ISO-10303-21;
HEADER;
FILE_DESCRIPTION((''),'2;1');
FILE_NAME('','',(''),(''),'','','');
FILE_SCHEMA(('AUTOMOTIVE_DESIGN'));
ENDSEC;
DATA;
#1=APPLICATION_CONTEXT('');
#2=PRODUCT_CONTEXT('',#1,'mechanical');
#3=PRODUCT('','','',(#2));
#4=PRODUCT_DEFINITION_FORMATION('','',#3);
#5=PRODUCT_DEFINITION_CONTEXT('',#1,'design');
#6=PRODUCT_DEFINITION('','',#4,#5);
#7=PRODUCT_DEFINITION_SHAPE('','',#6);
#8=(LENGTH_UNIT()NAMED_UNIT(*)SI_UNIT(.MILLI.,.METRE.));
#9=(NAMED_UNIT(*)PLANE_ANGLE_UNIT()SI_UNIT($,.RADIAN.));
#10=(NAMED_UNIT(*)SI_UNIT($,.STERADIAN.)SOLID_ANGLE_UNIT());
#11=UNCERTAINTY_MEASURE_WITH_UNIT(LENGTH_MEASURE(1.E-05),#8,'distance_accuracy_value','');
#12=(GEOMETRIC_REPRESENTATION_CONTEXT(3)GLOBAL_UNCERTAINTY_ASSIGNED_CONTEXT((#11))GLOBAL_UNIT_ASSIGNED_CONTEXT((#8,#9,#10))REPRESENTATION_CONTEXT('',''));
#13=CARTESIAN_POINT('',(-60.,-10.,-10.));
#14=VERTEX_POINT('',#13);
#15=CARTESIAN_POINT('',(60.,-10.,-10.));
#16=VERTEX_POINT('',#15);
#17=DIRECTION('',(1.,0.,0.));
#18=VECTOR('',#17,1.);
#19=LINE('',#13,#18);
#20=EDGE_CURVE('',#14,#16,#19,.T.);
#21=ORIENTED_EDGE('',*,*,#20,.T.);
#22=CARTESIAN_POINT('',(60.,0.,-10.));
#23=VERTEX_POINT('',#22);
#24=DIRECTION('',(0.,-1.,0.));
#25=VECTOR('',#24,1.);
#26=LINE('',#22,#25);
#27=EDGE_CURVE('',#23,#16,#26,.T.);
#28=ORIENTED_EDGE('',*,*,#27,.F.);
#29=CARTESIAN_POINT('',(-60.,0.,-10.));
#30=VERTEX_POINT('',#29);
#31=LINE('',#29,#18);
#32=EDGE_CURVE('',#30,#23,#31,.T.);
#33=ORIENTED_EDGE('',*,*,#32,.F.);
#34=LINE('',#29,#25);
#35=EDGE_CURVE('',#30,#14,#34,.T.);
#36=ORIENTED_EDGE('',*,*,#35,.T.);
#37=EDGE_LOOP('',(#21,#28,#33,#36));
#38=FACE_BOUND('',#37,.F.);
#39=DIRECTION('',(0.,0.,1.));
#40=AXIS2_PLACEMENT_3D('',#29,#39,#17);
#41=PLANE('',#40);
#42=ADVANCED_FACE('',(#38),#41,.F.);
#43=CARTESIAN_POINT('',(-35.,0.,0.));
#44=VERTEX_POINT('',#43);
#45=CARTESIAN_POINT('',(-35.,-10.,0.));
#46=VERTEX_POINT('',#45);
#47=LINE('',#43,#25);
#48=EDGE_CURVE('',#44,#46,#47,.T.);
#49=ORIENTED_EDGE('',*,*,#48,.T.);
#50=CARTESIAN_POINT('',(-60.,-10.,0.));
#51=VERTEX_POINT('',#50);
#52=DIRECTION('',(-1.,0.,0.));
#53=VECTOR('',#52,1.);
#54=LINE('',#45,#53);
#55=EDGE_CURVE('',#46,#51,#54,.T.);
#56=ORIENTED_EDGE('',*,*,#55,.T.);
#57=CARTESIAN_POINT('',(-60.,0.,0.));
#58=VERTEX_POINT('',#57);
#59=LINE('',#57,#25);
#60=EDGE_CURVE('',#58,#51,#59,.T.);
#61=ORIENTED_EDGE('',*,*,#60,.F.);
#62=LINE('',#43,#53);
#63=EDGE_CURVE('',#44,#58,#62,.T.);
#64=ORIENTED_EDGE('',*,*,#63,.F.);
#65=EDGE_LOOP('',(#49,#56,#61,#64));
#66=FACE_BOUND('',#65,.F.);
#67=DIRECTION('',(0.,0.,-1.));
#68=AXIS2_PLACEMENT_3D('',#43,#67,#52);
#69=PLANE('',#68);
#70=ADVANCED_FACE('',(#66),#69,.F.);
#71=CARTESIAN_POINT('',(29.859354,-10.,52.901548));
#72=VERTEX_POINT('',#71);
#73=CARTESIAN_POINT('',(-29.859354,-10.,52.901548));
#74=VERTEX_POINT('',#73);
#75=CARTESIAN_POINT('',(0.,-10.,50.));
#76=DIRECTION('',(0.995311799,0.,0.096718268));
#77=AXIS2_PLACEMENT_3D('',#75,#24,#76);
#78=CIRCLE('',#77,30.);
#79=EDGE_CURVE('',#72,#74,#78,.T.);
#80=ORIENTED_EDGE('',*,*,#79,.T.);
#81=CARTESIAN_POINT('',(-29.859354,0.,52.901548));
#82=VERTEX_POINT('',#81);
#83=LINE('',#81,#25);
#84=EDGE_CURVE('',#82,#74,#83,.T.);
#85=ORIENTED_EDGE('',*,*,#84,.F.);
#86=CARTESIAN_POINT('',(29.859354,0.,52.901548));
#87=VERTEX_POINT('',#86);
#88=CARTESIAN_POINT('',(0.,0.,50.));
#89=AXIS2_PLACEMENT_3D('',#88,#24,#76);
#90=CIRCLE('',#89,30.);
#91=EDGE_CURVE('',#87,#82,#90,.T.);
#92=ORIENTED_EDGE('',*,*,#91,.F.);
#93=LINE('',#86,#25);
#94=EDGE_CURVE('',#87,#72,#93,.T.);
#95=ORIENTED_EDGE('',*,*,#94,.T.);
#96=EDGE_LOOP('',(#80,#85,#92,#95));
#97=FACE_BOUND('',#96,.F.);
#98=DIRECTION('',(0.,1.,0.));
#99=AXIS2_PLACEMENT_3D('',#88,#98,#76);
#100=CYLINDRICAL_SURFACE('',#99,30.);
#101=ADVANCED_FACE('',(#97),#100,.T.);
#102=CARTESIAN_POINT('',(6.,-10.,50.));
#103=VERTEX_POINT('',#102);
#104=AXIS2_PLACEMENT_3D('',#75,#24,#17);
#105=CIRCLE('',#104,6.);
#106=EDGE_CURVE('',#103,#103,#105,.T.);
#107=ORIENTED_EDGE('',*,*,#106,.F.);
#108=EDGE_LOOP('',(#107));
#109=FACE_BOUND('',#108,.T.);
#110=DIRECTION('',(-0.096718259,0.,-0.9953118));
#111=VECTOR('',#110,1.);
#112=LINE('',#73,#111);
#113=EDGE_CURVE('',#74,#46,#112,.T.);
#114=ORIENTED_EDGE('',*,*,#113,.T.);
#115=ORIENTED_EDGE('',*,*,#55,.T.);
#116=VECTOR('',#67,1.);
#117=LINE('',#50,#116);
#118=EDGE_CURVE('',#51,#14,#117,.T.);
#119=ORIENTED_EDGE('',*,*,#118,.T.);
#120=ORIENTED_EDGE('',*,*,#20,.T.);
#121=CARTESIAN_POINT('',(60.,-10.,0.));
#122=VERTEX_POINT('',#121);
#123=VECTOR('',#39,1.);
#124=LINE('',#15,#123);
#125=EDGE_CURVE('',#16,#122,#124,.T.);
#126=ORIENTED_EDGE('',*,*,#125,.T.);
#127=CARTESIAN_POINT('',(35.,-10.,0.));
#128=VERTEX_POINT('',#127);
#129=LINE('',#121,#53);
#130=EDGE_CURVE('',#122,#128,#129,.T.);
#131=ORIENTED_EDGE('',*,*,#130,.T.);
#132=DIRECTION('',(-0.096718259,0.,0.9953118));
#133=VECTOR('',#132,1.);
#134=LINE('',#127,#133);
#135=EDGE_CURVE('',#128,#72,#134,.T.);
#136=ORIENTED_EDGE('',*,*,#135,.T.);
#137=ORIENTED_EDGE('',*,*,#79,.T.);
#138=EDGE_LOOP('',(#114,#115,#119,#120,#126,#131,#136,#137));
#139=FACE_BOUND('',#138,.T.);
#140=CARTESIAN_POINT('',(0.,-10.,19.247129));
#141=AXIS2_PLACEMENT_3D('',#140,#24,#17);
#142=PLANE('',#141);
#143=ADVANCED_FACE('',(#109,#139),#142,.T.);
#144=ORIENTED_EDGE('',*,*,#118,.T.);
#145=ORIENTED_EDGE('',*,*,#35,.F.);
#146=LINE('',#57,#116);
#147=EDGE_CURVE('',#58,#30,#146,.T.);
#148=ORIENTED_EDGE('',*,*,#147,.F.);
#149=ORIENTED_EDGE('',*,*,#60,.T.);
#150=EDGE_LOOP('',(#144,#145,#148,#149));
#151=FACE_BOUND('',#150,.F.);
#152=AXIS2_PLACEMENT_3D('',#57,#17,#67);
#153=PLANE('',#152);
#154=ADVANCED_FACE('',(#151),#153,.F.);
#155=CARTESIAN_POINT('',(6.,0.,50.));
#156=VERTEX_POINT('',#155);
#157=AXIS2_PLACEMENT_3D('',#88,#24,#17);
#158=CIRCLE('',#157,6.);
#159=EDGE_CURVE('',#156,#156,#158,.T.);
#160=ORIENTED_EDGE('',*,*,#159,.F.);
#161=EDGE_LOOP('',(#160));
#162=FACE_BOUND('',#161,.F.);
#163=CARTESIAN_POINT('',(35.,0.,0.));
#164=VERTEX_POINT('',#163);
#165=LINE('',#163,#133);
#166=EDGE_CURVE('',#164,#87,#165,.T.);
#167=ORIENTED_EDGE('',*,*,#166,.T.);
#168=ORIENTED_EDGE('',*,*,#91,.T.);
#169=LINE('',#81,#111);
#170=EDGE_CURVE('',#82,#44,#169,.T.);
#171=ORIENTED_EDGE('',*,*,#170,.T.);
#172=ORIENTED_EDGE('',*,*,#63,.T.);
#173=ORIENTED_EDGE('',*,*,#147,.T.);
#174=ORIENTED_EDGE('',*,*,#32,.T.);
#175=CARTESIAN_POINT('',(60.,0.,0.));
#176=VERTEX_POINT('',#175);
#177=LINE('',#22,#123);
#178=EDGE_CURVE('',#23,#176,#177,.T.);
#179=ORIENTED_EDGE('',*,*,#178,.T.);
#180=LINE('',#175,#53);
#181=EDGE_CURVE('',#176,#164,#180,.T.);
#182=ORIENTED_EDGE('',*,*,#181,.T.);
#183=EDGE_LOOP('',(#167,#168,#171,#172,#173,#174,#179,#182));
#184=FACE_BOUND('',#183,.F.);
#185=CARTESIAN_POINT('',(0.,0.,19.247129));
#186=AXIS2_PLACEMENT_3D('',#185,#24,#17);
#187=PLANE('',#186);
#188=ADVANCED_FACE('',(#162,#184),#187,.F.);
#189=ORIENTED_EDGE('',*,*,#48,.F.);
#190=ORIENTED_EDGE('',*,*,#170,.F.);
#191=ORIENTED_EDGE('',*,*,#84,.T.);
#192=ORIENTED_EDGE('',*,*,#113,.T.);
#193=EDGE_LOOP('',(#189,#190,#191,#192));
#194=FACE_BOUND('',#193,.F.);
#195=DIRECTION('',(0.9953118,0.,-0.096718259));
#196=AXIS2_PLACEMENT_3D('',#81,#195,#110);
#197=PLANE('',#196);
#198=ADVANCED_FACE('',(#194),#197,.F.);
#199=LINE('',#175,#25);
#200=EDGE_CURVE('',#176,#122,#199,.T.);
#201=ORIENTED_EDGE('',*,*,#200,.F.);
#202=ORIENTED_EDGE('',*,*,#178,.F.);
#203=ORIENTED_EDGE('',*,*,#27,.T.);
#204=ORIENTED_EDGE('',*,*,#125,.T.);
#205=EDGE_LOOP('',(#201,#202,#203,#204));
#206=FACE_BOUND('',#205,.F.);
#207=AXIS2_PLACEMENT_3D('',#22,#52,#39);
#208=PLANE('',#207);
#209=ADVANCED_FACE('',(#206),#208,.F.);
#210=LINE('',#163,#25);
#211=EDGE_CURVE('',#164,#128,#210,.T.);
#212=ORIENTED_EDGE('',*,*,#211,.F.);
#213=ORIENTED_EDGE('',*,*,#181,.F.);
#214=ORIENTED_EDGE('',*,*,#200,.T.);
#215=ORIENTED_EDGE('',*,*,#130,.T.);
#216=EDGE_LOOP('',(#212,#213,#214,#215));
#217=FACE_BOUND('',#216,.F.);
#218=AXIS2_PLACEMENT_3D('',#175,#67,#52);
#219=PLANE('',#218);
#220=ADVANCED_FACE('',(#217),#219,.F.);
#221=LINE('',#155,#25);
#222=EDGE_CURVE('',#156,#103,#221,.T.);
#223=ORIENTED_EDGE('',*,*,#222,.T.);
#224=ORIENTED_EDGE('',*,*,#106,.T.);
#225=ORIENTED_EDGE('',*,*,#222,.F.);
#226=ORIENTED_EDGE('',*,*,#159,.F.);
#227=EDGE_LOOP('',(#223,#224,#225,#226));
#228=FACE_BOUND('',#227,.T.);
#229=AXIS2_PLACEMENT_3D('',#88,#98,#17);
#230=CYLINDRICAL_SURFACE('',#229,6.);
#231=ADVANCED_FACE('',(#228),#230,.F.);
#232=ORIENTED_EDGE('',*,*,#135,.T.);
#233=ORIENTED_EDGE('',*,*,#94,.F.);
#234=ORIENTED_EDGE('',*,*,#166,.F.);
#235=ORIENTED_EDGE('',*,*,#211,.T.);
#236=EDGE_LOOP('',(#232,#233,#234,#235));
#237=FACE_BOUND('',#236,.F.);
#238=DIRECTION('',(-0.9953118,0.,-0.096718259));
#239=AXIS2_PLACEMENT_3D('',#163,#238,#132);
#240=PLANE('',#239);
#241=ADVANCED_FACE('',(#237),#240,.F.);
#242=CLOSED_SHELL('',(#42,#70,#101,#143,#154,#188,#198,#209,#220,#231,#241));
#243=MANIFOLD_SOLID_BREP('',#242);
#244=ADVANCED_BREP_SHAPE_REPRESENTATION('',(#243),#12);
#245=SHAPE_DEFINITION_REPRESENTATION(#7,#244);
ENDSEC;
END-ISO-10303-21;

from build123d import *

# Parameters (mm, degrees)
F0_R     = 6
F1_DEPTH = 10


with BuildPart() as f1:
    # F0 (on Front) → F1 (new body)
    with BuildSketch(Plane.XZ):
        with BuildLine():
            Line((35, 0), (29.859354, 52.901548))
            ThreePointArc((29.859354, 52.901548), (0, 80), (-29.859354, 52.901548))
            Line((-29.859354, 52.901548), (-35, 0))
            Line((-35, 0), (-60, 0))
            Line((-60, 0), (-60, -10))
            Line((-60, -10), (60, -10))
            Line((60, -10), (60, 0))
            Line((60, 0), (35, 0))
        make_face()
        with Locations((0, 50)):
            Circle(F0_R, mode=Mode.SUBTRACT)
    extrude(amount=F1_DEPTH)


solid = f1.part
